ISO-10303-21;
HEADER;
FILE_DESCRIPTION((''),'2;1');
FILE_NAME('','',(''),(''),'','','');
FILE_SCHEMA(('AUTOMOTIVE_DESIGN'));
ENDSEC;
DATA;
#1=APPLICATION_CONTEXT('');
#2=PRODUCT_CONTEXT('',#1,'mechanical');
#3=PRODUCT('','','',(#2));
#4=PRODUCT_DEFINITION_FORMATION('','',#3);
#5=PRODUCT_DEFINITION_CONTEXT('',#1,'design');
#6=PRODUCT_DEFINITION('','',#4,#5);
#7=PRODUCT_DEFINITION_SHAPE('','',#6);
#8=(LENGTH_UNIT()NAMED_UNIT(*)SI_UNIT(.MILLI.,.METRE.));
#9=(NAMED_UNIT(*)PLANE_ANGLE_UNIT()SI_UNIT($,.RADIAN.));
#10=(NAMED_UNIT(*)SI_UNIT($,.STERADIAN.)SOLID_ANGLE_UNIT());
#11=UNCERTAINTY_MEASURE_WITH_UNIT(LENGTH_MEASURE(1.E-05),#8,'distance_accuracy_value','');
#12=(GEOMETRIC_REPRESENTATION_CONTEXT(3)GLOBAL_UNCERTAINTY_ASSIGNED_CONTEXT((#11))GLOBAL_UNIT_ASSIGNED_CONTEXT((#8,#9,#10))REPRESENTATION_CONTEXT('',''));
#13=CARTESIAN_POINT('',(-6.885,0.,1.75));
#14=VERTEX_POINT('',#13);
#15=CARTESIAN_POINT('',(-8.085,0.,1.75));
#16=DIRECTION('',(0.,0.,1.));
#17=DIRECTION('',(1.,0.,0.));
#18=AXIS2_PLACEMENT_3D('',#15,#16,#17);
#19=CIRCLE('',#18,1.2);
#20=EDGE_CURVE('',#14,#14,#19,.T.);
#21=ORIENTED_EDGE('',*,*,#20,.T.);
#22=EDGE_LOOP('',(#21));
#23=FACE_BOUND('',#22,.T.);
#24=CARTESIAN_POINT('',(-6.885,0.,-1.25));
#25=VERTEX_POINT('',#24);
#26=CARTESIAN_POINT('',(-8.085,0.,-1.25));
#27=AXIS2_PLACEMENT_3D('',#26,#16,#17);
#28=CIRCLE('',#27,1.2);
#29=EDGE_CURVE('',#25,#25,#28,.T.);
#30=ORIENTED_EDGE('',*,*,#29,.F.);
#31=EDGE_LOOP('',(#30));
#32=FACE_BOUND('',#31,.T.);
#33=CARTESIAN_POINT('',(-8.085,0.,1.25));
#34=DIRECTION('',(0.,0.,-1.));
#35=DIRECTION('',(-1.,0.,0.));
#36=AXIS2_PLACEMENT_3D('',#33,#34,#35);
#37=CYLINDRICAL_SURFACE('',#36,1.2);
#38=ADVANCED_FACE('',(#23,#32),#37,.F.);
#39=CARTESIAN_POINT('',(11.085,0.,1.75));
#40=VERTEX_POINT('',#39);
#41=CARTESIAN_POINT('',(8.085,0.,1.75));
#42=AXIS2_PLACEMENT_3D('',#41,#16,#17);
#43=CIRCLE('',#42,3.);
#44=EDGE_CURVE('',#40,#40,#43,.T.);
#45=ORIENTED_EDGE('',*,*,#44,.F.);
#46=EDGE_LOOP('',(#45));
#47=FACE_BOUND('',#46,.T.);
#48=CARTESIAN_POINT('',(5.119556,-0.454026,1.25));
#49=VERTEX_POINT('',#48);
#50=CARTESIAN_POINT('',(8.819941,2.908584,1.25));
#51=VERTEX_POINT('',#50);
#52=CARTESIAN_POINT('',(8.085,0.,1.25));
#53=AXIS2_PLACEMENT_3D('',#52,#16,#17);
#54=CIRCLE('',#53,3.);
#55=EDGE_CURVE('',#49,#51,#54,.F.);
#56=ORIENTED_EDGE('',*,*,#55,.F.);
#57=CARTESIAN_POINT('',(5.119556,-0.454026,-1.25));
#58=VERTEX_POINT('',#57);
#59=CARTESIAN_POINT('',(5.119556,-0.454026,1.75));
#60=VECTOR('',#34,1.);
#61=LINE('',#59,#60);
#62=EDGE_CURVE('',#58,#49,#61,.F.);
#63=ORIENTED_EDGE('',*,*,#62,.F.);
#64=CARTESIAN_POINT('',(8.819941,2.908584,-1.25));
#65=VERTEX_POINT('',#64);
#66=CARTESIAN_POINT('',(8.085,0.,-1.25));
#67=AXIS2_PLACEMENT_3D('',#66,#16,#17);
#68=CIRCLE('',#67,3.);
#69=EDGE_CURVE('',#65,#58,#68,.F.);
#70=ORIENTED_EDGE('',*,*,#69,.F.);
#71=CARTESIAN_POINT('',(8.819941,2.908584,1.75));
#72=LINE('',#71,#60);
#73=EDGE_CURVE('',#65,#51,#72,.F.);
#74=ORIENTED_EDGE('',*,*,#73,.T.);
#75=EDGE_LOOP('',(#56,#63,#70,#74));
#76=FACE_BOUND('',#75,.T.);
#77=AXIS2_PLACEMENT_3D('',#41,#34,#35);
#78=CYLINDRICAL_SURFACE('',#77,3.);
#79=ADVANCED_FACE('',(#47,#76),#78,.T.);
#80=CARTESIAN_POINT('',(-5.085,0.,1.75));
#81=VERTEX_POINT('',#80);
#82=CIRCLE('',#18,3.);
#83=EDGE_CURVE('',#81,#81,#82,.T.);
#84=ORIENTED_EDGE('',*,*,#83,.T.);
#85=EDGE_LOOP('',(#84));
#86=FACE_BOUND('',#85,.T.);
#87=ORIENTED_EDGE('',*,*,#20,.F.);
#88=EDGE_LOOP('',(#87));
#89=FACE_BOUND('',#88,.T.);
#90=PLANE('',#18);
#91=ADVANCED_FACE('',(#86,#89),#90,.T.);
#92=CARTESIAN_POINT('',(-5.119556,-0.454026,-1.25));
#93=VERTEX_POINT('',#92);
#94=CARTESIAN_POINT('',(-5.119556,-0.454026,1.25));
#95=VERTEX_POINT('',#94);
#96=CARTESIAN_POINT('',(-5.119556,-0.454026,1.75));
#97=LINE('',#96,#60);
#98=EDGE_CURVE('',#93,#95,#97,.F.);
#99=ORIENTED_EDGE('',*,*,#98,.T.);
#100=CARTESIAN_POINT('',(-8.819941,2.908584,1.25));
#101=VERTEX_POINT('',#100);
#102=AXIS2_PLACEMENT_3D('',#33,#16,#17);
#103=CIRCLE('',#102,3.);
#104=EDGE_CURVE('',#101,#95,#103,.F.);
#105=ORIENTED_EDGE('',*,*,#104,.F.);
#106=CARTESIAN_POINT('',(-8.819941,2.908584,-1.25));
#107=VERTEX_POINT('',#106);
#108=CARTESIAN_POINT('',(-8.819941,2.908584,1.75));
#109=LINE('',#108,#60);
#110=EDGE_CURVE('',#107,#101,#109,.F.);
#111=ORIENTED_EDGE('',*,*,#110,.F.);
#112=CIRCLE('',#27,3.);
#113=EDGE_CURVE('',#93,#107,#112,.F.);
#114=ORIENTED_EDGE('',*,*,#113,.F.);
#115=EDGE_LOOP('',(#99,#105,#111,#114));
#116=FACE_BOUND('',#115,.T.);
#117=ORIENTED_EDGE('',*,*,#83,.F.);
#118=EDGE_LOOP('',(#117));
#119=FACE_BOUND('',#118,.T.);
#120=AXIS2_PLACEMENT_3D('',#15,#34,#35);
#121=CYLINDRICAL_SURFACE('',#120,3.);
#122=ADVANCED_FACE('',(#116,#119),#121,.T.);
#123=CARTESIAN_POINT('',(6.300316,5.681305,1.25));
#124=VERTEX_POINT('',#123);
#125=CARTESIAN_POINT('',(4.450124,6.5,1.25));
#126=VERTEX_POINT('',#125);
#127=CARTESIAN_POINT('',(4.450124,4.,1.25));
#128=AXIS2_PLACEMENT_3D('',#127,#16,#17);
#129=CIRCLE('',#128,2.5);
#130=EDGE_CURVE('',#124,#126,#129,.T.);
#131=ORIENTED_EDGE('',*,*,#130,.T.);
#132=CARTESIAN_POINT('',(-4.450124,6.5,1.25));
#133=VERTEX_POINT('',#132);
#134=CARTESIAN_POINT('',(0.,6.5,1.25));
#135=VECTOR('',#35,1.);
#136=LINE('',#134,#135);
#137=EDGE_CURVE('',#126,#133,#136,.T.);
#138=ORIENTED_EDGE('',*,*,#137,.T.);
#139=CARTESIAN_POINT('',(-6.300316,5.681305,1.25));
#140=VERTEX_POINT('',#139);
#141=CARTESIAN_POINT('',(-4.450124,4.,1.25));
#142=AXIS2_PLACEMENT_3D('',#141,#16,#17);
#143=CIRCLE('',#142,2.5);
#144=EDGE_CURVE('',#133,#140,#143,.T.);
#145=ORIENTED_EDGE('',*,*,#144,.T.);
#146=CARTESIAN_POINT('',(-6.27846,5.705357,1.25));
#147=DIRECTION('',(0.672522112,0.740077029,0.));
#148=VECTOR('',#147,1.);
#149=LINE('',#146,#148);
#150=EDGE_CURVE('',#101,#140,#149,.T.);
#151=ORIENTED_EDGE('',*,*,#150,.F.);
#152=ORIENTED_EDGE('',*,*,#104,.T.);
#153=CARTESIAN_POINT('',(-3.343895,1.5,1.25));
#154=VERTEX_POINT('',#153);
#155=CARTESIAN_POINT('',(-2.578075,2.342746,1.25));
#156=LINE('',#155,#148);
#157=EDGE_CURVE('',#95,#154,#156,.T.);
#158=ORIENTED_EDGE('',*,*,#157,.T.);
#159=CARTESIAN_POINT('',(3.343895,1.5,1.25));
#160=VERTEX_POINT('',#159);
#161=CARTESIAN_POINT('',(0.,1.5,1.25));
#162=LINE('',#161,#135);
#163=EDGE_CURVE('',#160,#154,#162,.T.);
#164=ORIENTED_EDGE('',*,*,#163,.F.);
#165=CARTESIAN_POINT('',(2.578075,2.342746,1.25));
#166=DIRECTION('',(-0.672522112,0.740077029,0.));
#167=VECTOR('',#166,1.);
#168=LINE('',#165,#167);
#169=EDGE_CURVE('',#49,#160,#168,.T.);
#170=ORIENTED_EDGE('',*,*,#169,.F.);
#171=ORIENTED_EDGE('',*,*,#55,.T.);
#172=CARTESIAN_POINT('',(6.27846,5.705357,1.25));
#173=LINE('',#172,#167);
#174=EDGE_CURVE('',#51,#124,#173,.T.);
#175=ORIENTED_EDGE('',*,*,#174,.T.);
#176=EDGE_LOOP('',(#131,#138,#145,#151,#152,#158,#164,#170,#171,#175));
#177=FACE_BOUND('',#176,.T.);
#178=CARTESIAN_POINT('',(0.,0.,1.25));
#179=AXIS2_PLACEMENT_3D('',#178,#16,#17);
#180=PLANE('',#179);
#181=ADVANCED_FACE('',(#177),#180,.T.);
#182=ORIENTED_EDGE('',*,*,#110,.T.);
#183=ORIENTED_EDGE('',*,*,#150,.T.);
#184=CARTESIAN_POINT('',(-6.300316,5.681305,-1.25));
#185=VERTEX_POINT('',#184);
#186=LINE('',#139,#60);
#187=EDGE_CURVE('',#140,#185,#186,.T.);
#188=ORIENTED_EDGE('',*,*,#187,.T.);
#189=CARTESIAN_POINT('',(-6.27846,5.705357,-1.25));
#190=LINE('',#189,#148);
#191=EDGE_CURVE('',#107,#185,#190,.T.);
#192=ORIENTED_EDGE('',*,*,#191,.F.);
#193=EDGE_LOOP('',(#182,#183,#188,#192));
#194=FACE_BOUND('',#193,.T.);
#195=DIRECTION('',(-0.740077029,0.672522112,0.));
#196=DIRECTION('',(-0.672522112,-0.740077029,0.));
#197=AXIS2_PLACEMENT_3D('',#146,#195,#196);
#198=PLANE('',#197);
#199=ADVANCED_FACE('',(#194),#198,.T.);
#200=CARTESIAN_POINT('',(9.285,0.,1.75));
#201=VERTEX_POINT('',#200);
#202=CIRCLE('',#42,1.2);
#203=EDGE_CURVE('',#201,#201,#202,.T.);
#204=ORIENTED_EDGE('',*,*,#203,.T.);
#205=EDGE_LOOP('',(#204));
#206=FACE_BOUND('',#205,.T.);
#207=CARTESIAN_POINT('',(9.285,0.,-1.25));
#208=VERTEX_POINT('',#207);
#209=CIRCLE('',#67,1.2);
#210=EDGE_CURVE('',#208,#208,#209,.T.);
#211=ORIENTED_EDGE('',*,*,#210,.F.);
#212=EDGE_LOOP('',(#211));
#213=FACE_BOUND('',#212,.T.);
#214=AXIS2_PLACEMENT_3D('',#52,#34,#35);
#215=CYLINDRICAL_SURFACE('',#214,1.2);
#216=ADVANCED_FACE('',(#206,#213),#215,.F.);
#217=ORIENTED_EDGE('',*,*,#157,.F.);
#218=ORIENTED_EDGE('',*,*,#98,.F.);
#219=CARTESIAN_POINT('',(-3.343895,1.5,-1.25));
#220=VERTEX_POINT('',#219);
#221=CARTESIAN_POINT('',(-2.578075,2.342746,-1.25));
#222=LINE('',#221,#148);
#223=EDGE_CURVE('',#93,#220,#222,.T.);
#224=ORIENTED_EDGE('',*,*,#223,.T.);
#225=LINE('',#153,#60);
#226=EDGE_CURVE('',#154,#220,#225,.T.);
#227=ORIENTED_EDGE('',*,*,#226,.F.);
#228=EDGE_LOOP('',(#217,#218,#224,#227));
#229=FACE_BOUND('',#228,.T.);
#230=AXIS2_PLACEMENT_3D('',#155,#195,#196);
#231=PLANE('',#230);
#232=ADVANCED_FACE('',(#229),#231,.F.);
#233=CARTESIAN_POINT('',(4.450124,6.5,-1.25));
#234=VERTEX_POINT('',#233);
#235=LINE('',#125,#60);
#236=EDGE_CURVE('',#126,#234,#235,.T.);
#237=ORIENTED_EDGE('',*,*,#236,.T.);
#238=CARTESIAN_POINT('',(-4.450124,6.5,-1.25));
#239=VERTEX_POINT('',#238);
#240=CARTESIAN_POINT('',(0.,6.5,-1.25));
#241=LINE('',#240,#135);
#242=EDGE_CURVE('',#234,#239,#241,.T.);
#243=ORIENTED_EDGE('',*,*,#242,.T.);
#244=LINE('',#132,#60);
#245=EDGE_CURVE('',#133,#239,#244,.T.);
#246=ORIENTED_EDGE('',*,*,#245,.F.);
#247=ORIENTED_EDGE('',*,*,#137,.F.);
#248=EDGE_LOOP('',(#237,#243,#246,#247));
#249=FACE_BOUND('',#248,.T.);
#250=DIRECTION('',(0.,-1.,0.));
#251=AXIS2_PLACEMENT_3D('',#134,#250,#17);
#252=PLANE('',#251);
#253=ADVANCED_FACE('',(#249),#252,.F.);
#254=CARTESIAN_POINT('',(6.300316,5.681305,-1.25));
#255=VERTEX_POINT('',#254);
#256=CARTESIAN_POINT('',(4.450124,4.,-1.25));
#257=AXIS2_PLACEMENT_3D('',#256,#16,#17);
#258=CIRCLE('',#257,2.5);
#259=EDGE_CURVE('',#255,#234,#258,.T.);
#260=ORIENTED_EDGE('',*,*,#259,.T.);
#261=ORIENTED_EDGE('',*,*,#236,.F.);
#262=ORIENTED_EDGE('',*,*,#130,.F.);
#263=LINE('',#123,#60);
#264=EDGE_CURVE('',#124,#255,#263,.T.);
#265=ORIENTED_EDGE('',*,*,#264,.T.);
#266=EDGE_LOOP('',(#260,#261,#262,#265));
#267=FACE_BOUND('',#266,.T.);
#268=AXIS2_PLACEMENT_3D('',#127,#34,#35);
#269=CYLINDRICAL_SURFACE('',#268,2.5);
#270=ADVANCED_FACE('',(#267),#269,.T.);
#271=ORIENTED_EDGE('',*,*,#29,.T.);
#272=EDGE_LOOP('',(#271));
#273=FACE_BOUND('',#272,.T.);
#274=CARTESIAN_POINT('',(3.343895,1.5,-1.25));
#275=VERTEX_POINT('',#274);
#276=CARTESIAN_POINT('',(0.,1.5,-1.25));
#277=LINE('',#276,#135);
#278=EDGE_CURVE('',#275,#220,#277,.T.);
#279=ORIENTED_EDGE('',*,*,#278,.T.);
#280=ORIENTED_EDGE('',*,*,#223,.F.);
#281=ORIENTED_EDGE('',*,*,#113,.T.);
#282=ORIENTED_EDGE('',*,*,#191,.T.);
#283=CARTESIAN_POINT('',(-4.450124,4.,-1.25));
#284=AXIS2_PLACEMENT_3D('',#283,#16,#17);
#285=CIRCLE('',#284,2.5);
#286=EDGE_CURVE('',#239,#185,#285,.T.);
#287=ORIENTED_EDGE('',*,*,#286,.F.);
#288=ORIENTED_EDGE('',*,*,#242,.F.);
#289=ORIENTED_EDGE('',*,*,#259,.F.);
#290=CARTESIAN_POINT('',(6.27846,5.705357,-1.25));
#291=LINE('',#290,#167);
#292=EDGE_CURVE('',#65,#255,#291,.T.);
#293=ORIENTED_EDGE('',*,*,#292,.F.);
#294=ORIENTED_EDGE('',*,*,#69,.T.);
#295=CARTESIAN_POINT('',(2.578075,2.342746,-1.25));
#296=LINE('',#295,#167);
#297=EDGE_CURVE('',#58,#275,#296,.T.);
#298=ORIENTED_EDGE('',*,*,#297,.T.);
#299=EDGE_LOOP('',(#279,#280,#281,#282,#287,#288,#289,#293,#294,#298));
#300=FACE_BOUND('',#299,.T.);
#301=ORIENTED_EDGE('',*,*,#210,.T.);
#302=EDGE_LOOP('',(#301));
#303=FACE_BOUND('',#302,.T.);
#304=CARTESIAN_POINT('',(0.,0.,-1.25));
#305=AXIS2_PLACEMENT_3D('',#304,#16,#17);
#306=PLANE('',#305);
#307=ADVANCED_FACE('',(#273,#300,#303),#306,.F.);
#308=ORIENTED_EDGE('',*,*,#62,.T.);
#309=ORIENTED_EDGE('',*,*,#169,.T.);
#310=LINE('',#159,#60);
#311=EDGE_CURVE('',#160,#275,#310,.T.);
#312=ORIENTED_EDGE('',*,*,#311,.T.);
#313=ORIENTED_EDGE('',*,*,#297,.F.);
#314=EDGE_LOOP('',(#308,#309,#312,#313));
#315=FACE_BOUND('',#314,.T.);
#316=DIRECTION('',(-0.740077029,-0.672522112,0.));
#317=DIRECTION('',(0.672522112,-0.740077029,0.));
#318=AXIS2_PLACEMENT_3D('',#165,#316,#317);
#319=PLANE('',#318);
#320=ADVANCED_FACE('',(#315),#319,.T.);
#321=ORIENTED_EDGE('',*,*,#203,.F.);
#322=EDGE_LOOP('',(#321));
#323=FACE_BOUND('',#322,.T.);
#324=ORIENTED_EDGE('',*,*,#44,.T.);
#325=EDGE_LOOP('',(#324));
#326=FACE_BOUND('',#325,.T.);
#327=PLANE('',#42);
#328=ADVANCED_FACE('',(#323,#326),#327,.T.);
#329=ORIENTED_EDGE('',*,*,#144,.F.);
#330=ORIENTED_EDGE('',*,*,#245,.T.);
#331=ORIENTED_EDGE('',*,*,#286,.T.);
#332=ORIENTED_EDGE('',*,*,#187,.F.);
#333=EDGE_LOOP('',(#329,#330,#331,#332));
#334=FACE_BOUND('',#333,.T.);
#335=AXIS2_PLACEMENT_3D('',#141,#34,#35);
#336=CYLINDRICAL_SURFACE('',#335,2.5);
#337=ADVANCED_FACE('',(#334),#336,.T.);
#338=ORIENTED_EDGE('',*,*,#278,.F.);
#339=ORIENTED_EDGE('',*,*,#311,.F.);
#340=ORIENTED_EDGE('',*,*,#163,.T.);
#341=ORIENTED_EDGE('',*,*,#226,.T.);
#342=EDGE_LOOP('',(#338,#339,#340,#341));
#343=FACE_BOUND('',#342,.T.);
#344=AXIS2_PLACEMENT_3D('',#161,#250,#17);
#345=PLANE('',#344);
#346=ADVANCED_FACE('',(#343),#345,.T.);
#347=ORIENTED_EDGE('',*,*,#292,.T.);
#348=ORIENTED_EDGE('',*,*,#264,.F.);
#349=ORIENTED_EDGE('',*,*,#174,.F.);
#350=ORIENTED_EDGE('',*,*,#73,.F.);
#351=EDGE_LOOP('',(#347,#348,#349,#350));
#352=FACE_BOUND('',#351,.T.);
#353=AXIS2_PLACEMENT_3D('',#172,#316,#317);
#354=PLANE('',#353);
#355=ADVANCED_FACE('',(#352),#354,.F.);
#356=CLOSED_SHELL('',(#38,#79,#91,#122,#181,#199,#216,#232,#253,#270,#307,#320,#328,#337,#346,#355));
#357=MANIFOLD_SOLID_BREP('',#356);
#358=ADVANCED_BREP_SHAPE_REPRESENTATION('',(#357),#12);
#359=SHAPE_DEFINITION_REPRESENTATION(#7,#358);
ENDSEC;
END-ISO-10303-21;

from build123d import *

# Parameters (mm, degrees)
SKETCH1_R                = 1.2
BOSS_EXTRUDE1_DEPTH      = 1.25
SKETCH2_R                = 3
SKETCH2_R_2              = 1.2
BOSS_EXTRUDE2_DEPTH      = 0.5
BOSS_EXTRUDE2_DEPTH_BACK = 2.5


with BuildPart() as part:
    # Sketch1 → Boss-Extrude1 (new body, symmetric)
    with BuildSketch(Plane.XY):
        with BuildLine():
            Line((-6.234807428, -1.68130528), (-3.34389464, 1.5))
            Line((-3.34389464, 1.5), (3.34389464, 1.5))
            Line((3.34389464, 1.5), (6.234807428, -1.68130528))
            ThreePointArc((6.234807428, -1.68130528), (9.76630528, -1.850192572), (9.935192572, 1.68130528))
            Line((9.935192572, 1.68130528), (6.300316278, 5.68130528))
            ThreePointArc((6.300316278, 5.68130528), (5.461740431, 6.286182757), (4.450123705, 6.5))
            Line((4.450123705, 6.5), (-4.450123705, 6.5))
            ThreePointArc((-4.450123705, 6.5), (-5.461740431, 6.286182757), (-6.300316278, 5.68130528))
            Line((-6.300316278, 5.68130528), (-9.935192572, 1.68130528))
            ThreePointArc((-9.935192572, 1.68130528), (-9.76630528, -1.850192572), (-6.234807428, -1.68130528))
        make_face()
        with Locations((-8.085, 0)):
            Circle(SKETCH1_R, mode=Mode.SUBTRACT)
        with Locations((8.085, 0)):
            Circle(SKETCH1_R, mode=Mode.SUBTRACT)
    extrude(amount=BOSS_EXTRUDE1_DEPTH, both=True)

    # Sketch2 → Boss-Extrude2 (add, two sides)
    with BuildSketch(Plane.XY.offset(1.25)) as boss_extrude2_sk:
        with Locations((8.085, 0)):
            Circle(SKETCH2_R)
        with Locations((8.085, 0)):
            Circle(SKETCH2_R_2, mode=Mode.SUBTRACT)
        with Locations((-8.085, 0)):
            Circle(SKETCH2_R)
        with Locations((-8.085, 0)):
            Circle(SKETCH2_R_2, mode=Mode.SUBTRACT)
    extrude(amount=BOSS_EXTRUDE2_DEPTH)
    extrude(boss_extrude2_sk.sketch, amount=-BOSS_EXTRUDE2_DEPTH_BACK)


solid = part.part
